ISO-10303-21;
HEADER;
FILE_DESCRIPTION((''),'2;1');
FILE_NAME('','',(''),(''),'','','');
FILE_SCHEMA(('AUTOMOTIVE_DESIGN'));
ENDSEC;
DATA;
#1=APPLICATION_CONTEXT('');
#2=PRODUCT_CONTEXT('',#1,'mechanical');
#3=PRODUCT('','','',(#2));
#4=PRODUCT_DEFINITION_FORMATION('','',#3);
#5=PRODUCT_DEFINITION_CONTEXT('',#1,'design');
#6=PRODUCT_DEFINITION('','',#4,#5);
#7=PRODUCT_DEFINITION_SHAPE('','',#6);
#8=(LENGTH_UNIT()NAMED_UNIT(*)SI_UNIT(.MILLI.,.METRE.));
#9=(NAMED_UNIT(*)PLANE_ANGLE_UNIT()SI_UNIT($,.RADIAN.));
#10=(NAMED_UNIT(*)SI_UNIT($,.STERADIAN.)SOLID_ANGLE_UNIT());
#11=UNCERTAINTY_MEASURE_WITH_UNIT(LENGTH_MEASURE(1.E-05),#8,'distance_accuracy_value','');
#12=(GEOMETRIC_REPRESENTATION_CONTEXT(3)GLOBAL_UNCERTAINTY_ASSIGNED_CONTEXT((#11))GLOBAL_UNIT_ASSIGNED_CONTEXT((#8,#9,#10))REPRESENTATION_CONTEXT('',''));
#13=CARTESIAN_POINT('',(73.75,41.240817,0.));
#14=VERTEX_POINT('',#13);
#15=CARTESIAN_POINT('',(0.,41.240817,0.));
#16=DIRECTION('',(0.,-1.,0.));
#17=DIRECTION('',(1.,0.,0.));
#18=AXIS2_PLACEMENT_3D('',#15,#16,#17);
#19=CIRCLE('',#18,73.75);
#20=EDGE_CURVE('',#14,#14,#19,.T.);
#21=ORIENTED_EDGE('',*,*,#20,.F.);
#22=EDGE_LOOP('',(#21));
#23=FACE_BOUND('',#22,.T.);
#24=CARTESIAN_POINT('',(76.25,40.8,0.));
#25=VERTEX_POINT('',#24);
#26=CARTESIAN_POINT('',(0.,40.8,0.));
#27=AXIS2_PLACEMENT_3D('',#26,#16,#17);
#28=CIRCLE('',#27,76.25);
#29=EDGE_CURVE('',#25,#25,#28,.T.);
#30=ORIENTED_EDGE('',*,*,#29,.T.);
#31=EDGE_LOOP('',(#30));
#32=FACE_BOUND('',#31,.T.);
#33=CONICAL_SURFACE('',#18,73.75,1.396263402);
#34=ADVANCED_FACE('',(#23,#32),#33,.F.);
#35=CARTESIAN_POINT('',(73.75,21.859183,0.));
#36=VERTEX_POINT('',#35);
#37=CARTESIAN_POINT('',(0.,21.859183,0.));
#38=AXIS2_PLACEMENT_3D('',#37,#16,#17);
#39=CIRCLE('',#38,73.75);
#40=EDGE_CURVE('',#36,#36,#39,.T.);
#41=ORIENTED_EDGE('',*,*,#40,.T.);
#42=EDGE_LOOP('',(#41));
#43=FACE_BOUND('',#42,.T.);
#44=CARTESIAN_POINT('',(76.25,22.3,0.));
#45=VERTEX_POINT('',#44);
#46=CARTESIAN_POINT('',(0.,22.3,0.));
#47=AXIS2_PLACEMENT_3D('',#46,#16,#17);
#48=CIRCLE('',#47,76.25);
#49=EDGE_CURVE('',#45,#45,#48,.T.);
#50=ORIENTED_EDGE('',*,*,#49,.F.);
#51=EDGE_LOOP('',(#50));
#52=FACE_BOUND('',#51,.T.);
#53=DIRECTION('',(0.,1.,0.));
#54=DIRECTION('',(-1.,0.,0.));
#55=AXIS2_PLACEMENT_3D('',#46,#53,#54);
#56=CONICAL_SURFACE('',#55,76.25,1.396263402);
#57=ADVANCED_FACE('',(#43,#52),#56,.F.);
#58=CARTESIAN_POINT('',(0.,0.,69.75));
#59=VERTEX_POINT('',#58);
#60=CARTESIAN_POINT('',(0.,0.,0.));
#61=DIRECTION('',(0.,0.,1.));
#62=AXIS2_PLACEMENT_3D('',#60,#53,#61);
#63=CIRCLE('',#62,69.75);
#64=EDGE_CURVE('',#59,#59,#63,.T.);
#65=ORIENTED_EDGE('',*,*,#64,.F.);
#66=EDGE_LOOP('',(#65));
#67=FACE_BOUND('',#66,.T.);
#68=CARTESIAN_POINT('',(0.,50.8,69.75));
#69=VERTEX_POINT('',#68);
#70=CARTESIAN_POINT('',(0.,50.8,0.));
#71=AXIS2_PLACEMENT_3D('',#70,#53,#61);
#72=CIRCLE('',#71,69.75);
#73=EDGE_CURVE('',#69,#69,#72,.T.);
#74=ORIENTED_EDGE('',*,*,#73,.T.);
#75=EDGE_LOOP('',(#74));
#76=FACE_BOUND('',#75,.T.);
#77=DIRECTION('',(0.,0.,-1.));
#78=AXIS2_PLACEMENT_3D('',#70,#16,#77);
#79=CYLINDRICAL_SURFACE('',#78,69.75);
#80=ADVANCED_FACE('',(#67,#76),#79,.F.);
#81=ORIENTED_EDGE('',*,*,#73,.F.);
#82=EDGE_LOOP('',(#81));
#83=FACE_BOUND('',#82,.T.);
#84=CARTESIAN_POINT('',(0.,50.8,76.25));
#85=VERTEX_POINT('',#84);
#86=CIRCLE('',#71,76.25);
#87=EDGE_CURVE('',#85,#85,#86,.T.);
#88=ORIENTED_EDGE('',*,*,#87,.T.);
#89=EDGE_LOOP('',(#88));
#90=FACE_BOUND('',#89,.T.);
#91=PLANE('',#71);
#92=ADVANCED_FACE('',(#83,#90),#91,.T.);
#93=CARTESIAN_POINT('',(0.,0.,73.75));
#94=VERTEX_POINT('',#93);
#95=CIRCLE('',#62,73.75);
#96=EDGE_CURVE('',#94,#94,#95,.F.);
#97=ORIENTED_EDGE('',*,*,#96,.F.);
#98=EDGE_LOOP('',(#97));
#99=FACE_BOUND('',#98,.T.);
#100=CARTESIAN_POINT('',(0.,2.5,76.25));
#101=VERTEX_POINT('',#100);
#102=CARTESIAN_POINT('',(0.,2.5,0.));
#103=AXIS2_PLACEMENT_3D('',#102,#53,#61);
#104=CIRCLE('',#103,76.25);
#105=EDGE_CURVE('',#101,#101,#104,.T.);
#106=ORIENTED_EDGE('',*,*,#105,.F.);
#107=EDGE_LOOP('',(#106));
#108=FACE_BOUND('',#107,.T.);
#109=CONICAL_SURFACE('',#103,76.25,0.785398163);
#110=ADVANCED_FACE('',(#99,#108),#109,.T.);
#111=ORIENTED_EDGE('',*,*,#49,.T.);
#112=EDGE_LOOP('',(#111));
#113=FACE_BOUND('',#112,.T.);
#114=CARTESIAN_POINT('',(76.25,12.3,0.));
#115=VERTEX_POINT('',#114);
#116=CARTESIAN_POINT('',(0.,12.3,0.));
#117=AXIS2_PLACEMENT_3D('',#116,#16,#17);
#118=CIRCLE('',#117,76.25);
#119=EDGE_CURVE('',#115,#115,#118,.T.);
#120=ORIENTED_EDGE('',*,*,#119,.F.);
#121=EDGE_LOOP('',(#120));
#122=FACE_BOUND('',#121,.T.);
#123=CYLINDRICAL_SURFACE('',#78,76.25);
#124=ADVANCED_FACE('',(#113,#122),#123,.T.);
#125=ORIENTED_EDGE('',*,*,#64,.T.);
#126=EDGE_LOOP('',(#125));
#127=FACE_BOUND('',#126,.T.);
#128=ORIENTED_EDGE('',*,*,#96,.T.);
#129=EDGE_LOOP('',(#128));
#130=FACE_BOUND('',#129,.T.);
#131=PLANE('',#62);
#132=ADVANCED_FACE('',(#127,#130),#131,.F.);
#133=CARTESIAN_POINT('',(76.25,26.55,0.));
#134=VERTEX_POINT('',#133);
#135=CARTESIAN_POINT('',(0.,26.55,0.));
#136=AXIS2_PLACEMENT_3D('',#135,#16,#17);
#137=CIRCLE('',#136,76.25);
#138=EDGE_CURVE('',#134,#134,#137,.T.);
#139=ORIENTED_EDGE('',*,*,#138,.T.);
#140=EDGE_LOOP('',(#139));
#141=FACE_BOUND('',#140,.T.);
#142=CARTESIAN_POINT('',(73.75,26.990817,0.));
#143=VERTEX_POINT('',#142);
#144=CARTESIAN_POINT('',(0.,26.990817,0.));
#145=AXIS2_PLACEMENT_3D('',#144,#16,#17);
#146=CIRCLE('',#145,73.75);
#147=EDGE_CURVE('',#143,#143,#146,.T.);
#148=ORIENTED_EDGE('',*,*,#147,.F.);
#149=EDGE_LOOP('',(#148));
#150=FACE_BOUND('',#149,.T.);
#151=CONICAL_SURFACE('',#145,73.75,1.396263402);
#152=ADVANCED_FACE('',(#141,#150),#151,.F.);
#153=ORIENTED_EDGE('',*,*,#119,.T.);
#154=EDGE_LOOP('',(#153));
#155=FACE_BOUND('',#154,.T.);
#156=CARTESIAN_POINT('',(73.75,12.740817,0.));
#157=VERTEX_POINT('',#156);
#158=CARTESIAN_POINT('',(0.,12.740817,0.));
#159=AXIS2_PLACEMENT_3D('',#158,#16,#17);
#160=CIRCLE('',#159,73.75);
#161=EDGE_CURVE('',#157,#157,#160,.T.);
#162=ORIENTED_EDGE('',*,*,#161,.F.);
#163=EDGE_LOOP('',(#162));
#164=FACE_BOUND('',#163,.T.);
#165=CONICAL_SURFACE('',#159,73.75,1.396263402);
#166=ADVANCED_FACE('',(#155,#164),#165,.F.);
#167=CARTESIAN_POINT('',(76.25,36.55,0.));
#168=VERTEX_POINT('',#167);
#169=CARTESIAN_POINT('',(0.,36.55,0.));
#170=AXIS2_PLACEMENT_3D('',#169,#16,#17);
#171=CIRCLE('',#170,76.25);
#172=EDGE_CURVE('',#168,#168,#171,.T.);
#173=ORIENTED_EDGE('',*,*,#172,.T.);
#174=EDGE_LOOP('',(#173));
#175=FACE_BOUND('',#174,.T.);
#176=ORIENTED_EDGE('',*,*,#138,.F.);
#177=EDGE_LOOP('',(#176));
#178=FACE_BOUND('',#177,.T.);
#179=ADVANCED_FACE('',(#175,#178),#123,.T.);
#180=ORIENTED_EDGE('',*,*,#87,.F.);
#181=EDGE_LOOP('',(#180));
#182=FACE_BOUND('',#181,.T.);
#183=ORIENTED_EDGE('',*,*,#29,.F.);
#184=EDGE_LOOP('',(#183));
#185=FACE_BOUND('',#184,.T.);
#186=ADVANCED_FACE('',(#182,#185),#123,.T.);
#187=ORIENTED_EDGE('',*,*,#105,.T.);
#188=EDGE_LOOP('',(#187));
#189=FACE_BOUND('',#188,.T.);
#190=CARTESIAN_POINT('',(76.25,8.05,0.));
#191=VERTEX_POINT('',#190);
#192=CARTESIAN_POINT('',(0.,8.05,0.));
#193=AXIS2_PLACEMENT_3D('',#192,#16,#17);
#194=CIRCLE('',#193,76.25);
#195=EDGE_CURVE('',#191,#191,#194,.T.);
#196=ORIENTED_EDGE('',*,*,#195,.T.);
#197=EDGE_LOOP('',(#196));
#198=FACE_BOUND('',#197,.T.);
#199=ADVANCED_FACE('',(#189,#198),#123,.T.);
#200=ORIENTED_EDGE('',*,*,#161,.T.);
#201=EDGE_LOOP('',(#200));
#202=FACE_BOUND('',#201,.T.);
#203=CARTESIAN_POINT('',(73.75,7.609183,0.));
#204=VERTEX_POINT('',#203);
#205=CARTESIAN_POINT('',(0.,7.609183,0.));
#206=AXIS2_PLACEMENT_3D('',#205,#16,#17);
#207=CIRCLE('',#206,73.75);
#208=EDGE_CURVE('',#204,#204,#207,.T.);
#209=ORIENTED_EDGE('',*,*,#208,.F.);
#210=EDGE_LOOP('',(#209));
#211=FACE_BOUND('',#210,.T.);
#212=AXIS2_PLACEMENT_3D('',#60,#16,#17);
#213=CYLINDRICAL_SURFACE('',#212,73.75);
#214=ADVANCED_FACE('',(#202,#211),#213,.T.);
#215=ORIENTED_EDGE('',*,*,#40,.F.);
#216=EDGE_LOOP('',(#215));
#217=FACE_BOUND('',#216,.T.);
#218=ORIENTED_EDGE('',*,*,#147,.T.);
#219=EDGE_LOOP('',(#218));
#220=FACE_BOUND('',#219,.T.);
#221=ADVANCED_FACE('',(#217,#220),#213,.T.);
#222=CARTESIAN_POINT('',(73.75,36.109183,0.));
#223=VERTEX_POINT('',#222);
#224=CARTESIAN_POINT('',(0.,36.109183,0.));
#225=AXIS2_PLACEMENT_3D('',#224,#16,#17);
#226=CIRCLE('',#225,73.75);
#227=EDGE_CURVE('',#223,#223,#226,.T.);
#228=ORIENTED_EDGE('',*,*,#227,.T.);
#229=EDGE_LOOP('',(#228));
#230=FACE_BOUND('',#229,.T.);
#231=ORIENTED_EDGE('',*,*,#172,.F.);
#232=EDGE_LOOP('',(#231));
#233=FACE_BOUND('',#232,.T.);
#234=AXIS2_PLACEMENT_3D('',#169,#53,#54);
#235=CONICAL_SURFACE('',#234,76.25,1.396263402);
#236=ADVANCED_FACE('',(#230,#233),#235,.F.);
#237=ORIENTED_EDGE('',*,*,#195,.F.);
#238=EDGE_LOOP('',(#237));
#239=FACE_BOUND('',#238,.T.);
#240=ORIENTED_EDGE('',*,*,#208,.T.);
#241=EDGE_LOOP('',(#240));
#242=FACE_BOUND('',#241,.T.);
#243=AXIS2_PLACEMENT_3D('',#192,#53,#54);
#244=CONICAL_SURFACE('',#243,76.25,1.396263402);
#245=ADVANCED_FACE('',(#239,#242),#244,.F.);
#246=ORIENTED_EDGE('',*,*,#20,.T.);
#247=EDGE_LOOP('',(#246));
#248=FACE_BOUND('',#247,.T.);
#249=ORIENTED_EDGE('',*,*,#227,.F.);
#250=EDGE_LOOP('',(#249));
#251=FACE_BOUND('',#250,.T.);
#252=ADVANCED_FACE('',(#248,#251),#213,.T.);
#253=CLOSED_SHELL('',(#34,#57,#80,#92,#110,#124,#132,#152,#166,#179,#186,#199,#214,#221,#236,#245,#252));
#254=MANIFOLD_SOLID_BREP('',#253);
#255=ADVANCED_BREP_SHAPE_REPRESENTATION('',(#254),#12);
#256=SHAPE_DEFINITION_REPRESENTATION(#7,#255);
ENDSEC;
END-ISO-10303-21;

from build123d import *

# Parameters (mm, degrees)
SKETCH1_R           = 76.25
SKETCH1_R_2         = 69.75
BOSS_EXTRUDE1_DEPTH = 50.8
CHAMFER1_SIZE       = 2.5


with BuildPart() as part:
    # Sketch1 → Boss-Extrude1 (new body)
    with BuildSketch(Plane(origin=(0, 0, 0), x_dir=(1, 0, 0), z_dir=(0, 1, 0))):
        Circle(SKETCH1_R)
        Circle(SKETCH1_R_2, mode=Mode.SUBTRACT)
    extrude(amount=BOSS_EXTRUDE1_DEPTH)

    # Sketch2 → Cut-Revolve1 (revolve, cut)
    with BuildSketch(Plane.XY):
        Polygon((-76.25, 40.8), (-76.25, 36.55), (-73.75, 36.109182548), (-73.75, 41.240817452), align=None)
        Polygon((-73.75, 26.990817452), (-73.75, 21.859182548), (-76.25, 22.3), (-76.25, 26.55), align=None)
        Polygon((-73.75, 12.740817452), (-73.75, 7.609182548), (-76.25, 8.05), (-76.25, 12.3), align=None)
    revolve(axis=Axis((0, 0, 0), (0, 1, 0)), mode=Mode.SUBTRACT)

    # Chamfer1
    chamfer1_edges = [part.edges().sort_by_distance(p)[0] for p in [
        (-76.25, 0, 0),
    ]]
    chamfer(chamfer1_edges, length=CHAMFER1_SIZE)


solid = part.part
